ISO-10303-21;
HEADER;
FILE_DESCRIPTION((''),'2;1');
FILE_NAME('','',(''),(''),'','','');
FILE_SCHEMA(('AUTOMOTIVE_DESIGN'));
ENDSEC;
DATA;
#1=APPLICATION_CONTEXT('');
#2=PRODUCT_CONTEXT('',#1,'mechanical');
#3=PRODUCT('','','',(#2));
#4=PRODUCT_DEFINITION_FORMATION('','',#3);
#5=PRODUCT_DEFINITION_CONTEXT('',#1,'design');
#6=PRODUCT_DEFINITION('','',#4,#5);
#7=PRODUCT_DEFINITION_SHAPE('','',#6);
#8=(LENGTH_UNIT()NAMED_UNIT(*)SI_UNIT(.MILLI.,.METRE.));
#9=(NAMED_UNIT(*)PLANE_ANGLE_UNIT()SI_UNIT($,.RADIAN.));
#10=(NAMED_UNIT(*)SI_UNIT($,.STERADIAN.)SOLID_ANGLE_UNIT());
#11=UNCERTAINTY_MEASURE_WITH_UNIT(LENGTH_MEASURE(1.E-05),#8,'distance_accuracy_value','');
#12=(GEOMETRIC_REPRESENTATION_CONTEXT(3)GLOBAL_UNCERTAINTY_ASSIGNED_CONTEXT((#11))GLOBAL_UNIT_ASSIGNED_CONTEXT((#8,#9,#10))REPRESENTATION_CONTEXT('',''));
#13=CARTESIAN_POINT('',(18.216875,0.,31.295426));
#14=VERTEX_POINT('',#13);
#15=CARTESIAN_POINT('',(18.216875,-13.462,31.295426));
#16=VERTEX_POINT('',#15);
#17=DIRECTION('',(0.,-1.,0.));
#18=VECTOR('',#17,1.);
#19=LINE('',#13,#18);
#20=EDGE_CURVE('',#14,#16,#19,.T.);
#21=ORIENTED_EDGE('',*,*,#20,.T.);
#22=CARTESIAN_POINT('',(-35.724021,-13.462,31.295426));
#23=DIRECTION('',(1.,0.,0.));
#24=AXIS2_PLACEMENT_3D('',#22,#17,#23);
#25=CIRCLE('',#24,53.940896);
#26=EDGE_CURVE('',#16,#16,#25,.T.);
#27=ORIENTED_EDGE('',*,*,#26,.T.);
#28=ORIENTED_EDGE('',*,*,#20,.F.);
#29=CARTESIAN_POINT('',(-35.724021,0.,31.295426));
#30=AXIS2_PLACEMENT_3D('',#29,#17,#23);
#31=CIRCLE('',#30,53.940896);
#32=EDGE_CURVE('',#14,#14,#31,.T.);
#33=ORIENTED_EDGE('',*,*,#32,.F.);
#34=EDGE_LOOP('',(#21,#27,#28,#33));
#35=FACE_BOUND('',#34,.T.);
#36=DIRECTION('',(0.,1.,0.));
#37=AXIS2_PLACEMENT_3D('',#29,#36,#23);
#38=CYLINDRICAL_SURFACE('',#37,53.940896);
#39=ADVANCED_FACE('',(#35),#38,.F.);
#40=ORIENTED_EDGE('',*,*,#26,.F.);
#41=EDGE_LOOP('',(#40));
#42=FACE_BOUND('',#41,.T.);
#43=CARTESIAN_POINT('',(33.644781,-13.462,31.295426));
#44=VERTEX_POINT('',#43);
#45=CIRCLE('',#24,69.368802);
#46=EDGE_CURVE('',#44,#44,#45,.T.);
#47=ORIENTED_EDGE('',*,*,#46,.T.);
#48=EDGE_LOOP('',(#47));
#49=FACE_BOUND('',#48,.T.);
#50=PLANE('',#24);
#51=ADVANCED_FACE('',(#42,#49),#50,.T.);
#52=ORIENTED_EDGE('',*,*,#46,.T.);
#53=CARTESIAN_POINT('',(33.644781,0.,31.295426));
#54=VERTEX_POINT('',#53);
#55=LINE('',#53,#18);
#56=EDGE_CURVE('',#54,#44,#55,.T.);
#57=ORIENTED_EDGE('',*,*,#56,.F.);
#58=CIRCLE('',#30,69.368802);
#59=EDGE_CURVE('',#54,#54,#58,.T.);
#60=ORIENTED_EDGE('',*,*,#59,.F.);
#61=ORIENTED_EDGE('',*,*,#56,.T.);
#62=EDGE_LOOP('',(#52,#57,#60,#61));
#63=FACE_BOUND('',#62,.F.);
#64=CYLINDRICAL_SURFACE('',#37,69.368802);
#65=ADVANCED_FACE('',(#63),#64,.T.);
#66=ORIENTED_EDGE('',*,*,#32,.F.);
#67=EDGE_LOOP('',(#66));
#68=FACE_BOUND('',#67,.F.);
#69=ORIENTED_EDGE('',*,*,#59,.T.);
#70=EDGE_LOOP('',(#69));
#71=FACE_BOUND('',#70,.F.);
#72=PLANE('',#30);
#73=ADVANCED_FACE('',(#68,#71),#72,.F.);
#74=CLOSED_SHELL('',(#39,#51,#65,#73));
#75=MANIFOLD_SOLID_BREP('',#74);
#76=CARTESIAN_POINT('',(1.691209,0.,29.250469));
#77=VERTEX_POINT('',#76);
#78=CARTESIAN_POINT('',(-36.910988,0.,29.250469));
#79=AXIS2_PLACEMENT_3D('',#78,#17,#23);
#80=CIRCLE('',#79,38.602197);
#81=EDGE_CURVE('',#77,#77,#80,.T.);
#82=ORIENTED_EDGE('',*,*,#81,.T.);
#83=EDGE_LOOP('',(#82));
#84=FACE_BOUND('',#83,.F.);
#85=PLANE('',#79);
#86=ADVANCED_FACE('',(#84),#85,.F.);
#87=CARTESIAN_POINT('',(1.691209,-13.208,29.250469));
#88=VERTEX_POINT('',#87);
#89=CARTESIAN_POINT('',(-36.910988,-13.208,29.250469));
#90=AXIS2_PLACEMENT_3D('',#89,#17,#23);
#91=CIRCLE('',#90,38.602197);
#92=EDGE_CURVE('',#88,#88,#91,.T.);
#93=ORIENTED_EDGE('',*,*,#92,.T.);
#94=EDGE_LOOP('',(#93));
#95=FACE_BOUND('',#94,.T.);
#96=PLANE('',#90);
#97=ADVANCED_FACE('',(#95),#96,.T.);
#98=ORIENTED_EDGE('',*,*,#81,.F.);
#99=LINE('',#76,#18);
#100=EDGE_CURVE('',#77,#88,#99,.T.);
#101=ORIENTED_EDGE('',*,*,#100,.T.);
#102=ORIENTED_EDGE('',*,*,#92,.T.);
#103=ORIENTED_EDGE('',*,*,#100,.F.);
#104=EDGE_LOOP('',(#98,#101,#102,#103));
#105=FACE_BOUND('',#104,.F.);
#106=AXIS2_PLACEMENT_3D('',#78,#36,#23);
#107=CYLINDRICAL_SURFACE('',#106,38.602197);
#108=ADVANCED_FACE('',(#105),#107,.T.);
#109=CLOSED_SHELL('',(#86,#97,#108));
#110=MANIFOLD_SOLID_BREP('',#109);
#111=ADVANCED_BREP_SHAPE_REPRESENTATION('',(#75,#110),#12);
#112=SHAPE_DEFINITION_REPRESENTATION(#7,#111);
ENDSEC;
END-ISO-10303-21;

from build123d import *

# Parameters (mm, degrees)
F0_R     = 69.368802
F0_R_2   = 53.940896
F1_DEPTH = 13.462
F2_R     = 38.602197
F3_DEPTH = 13.208


with BuildPart() as f1:
    # F0 (on Front) → F1 (new body)
    with BuildSketch(Plane.XZ):
        with Locations((-35.724021, 31.295426)):
            Circle(F0_R)
        with Locations((-35.724021, 31.295426)):
            Circle(F0_R_2, mode=Mode.SUBTRACT)
    extrude(amount=F1_DEPTH)


with BuildPart() as f3:
    # F2 (on Front) → F3 (new body)
    with BuildSketch(Plane.XZ):
        with Locations((-36.910988, 29.250469)):
            Circle(F2_R)
    extrude(amount=F3_DEPTH)


solid = Compound([f1.part, f3.part])
